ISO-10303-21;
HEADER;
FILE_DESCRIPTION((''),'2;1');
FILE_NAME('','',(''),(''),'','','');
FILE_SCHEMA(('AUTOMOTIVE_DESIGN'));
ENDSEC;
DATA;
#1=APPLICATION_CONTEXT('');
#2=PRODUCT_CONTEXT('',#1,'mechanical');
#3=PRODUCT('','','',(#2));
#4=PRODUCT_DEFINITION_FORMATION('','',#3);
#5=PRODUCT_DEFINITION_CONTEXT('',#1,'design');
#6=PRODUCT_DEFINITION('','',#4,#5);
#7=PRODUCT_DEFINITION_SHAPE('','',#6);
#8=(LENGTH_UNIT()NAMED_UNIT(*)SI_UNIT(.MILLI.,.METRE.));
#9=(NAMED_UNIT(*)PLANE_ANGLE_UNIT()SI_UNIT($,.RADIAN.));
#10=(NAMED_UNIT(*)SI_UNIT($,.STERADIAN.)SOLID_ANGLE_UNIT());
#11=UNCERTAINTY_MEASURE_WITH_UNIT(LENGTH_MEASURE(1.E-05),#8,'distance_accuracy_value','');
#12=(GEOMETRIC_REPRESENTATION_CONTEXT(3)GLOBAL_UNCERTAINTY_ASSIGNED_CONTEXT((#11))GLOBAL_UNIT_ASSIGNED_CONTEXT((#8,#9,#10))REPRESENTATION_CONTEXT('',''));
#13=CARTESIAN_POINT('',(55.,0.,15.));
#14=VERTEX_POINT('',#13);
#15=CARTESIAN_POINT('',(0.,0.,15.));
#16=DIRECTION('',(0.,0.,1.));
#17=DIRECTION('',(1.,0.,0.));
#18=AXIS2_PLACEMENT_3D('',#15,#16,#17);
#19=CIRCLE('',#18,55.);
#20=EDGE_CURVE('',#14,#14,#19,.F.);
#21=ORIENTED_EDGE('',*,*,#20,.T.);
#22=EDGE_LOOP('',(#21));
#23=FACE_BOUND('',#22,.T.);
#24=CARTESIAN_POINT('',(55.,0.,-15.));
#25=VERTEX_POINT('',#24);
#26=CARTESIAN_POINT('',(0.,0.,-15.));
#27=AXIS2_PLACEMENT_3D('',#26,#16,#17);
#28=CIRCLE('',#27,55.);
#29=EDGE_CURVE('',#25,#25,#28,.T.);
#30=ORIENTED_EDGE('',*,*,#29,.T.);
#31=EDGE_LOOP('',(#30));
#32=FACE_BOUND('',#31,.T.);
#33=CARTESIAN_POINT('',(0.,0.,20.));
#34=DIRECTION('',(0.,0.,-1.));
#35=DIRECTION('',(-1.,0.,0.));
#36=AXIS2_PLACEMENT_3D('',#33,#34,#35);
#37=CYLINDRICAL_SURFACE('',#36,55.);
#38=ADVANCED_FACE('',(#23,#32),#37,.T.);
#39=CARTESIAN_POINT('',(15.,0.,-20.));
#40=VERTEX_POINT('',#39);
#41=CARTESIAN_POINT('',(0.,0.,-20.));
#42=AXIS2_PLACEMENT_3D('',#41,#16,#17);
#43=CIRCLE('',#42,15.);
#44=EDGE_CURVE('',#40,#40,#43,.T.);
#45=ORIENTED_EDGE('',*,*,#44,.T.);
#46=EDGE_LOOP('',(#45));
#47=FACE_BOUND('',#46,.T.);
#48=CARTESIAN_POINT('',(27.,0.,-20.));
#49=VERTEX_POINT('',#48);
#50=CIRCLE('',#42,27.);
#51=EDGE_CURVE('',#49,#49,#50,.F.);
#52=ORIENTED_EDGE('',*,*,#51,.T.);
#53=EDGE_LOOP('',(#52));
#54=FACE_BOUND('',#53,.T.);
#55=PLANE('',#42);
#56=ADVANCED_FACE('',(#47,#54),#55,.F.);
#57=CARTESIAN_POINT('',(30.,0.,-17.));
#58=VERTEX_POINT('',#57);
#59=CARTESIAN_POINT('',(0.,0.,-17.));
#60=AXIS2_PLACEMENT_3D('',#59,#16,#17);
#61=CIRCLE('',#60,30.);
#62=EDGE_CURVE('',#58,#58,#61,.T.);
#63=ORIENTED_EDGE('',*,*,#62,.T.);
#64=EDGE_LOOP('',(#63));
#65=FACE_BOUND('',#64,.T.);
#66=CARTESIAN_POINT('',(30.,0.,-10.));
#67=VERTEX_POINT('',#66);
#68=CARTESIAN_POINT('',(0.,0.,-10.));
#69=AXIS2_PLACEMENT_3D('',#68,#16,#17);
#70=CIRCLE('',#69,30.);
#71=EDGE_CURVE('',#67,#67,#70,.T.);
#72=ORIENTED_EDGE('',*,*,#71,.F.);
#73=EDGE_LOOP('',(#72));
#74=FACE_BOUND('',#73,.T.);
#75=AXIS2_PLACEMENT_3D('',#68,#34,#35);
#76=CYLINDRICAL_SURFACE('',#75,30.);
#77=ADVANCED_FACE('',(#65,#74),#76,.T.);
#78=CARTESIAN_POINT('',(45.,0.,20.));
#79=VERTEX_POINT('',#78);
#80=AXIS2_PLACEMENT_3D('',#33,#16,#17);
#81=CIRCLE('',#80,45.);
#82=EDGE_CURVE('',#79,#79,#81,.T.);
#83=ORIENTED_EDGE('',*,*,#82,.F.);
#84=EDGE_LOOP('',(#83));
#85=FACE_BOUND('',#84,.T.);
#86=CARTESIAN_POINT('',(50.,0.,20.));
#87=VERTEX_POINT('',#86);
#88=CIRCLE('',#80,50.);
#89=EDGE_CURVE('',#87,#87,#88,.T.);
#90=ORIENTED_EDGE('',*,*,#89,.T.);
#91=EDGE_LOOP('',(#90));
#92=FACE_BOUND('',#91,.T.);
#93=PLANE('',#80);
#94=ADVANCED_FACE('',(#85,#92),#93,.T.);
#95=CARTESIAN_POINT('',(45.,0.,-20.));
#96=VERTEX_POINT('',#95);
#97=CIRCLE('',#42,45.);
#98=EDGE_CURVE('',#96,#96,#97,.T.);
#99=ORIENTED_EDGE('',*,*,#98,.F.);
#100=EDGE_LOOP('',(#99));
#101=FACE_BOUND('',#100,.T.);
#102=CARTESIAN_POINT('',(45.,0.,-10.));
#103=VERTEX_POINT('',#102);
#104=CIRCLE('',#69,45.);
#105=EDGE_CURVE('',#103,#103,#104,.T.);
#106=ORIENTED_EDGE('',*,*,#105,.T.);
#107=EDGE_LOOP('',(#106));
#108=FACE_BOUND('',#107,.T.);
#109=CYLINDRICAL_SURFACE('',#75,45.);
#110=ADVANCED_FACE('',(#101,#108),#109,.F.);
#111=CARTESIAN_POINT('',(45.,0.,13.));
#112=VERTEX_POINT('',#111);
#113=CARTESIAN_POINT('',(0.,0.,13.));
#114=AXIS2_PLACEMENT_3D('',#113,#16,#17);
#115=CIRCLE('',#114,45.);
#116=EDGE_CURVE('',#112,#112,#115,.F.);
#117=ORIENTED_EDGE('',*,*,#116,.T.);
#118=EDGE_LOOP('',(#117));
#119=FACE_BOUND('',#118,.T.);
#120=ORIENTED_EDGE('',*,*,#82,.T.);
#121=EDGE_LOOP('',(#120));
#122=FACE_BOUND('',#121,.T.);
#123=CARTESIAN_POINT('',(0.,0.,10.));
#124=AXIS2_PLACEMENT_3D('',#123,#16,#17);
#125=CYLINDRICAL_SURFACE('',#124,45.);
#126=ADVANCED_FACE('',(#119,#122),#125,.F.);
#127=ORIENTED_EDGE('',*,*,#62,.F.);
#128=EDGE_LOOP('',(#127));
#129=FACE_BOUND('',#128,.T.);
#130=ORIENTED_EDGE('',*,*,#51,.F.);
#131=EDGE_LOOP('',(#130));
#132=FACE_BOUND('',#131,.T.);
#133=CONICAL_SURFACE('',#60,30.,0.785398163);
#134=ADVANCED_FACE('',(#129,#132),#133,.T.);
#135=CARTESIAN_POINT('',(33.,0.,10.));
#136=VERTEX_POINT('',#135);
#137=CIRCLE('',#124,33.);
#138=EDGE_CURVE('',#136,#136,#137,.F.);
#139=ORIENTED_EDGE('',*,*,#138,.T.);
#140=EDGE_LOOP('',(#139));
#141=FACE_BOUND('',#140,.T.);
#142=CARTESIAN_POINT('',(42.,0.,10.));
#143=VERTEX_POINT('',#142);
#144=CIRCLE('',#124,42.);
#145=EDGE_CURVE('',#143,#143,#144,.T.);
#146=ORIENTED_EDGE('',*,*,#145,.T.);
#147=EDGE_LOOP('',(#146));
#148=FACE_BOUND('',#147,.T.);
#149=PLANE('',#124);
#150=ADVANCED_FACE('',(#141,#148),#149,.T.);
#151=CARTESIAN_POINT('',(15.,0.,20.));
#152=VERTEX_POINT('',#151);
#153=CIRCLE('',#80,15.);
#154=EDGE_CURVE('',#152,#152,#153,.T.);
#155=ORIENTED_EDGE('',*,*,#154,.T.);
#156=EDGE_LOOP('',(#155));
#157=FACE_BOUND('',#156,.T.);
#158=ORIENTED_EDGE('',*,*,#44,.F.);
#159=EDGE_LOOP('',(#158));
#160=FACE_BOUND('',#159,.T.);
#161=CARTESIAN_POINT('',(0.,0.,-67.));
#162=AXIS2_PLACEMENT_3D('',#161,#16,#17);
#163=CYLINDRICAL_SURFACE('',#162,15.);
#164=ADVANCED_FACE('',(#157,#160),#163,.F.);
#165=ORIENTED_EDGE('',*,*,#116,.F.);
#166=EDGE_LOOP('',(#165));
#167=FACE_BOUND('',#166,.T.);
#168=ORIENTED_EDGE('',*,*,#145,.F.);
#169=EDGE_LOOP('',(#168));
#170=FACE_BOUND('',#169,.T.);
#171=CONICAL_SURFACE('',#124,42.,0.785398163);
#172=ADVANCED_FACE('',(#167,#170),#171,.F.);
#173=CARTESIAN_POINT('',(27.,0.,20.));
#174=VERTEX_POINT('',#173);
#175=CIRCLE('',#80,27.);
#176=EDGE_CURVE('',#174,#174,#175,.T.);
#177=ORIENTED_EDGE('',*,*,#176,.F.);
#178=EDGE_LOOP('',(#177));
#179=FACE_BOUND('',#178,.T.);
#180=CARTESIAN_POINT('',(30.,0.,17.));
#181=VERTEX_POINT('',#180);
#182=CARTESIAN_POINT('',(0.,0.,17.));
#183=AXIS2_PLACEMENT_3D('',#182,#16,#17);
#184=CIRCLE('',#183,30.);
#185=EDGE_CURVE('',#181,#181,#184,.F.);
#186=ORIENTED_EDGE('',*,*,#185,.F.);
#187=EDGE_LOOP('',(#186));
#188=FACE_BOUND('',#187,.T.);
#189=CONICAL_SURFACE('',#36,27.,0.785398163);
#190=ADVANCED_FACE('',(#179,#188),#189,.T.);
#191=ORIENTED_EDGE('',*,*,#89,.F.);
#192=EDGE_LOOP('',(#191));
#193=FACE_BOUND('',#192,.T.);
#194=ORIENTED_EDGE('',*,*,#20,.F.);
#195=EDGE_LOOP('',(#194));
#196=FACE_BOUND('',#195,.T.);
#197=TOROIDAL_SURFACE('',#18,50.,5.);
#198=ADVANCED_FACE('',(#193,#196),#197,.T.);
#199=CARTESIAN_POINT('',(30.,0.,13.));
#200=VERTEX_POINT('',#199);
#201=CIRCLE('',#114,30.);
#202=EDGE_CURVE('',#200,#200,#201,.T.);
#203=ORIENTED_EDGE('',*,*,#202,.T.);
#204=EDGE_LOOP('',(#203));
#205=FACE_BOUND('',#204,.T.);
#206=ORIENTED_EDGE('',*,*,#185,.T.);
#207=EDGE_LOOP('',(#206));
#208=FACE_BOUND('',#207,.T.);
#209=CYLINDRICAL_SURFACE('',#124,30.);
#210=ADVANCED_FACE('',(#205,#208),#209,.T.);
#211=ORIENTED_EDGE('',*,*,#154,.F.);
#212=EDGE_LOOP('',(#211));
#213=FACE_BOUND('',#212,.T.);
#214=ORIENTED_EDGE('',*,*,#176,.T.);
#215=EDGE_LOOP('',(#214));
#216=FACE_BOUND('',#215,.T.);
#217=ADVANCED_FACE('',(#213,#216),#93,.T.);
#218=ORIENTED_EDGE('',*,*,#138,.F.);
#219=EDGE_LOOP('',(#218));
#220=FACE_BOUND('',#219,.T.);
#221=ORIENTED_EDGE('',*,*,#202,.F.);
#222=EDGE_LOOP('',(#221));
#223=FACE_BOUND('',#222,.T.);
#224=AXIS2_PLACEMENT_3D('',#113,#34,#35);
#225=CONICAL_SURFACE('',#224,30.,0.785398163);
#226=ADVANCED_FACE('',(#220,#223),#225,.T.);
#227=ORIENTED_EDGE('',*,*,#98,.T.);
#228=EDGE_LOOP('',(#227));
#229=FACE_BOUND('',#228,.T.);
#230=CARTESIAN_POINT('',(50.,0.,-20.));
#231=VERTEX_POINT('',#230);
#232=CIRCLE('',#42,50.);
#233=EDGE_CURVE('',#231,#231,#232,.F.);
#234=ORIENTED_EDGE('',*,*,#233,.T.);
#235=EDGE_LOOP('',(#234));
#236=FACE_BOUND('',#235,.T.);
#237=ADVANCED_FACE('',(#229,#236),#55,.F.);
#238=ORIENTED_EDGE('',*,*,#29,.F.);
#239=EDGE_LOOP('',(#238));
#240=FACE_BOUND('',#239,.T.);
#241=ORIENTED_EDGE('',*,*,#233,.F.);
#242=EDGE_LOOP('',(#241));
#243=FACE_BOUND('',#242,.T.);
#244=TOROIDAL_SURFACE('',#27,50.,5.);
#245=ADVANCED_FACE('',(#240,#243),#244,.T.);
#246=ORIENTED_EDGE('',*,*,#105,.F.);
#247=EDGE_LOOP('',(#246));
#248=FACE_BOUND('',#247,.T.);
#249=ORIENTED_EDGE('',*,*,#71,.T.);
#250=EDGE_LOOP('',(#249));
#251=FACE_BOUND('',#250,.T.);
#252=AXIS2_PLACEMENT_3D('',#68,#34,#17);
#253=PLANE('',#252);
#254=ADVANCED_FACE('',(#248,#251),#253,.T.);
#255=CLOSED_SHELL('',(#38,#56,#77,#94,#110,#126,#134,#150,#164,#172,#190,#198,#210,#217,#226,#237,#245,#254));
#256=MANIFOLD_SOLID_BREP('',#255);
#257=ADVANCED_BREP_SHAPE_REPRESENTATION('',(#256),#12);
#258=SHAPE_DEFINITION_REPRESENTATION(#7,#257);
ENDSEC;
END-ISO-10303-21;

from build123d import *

# Parameters (mm, degrees)
SKETCH1_R           = 55
BOSS_EXTRUDE1_DEPTH = 20
SKETCH2_R           = 45
SKETCH2_R_2         = 30
CUT_EXTRUDE2_DEPTH  = 10
SKETCH4_R           = 15
CUT_EXTRUDE3_DEPTH  = 87
FILLET1_R           = 5
CHAMFER1_SIZE       = 3


with BuildPart() as part:
    # Sketch1 → Boss-Extrude1 (new, symmetric)
    with BuildSketch(Plane.XY):
        Circle(SKETCH1_R)
    extrude(amount=BOSS_EXTRUDE1_DEPTH, both=True)

    # Sketch2 → Cut-Extrude2 (cut)
    with BuildSketch(Plane.XY.offset(20)):
        Circle(SKETCH2_R)
        Circle(SKETCH2_R_2, mode=Mode.SUBTRACT)
    cut_extrude2 = extrude(amount=-CUT_EXTRUDE2_DEPTH, mode=Mode.SUBTRACT)

    # Mirror1: Cut-Extrude2 across plane
    add(cut_extrude2.mirror(Plane.XY), mode=Mode.SUBTRACT)

    # Sketch4 → Cut-Extrude3 (cut)
    with BuildSketch(Plane.XY.offset(20)):
        Circle(SKETCH4_R)
    extrude(amount=-CUT_EXTRUDE3_DEPTH, mode=Mode.SUBTRACT)

    # Fillet1
    fillet1_edges = [part.edges().sort_by_distance(p)[0] for p in [
        (-55, 0, -20),
        (-55, 0, 20),
    ]]
    fillet(fillet1_edges, radius=FILLET1_R)

    # Chamfer1
    chamfer1_edges = [part.edges().sort_by_distance(p)[0] for p in [
        (-30, 0, -20),
        (-45, 0, 10),
        (-30, 0, 10),
        (-30, 0, 20),
    ]]
    chamfer(chamfer1_edges, length=CHAMFER1_SIZE)


solid = part.part
